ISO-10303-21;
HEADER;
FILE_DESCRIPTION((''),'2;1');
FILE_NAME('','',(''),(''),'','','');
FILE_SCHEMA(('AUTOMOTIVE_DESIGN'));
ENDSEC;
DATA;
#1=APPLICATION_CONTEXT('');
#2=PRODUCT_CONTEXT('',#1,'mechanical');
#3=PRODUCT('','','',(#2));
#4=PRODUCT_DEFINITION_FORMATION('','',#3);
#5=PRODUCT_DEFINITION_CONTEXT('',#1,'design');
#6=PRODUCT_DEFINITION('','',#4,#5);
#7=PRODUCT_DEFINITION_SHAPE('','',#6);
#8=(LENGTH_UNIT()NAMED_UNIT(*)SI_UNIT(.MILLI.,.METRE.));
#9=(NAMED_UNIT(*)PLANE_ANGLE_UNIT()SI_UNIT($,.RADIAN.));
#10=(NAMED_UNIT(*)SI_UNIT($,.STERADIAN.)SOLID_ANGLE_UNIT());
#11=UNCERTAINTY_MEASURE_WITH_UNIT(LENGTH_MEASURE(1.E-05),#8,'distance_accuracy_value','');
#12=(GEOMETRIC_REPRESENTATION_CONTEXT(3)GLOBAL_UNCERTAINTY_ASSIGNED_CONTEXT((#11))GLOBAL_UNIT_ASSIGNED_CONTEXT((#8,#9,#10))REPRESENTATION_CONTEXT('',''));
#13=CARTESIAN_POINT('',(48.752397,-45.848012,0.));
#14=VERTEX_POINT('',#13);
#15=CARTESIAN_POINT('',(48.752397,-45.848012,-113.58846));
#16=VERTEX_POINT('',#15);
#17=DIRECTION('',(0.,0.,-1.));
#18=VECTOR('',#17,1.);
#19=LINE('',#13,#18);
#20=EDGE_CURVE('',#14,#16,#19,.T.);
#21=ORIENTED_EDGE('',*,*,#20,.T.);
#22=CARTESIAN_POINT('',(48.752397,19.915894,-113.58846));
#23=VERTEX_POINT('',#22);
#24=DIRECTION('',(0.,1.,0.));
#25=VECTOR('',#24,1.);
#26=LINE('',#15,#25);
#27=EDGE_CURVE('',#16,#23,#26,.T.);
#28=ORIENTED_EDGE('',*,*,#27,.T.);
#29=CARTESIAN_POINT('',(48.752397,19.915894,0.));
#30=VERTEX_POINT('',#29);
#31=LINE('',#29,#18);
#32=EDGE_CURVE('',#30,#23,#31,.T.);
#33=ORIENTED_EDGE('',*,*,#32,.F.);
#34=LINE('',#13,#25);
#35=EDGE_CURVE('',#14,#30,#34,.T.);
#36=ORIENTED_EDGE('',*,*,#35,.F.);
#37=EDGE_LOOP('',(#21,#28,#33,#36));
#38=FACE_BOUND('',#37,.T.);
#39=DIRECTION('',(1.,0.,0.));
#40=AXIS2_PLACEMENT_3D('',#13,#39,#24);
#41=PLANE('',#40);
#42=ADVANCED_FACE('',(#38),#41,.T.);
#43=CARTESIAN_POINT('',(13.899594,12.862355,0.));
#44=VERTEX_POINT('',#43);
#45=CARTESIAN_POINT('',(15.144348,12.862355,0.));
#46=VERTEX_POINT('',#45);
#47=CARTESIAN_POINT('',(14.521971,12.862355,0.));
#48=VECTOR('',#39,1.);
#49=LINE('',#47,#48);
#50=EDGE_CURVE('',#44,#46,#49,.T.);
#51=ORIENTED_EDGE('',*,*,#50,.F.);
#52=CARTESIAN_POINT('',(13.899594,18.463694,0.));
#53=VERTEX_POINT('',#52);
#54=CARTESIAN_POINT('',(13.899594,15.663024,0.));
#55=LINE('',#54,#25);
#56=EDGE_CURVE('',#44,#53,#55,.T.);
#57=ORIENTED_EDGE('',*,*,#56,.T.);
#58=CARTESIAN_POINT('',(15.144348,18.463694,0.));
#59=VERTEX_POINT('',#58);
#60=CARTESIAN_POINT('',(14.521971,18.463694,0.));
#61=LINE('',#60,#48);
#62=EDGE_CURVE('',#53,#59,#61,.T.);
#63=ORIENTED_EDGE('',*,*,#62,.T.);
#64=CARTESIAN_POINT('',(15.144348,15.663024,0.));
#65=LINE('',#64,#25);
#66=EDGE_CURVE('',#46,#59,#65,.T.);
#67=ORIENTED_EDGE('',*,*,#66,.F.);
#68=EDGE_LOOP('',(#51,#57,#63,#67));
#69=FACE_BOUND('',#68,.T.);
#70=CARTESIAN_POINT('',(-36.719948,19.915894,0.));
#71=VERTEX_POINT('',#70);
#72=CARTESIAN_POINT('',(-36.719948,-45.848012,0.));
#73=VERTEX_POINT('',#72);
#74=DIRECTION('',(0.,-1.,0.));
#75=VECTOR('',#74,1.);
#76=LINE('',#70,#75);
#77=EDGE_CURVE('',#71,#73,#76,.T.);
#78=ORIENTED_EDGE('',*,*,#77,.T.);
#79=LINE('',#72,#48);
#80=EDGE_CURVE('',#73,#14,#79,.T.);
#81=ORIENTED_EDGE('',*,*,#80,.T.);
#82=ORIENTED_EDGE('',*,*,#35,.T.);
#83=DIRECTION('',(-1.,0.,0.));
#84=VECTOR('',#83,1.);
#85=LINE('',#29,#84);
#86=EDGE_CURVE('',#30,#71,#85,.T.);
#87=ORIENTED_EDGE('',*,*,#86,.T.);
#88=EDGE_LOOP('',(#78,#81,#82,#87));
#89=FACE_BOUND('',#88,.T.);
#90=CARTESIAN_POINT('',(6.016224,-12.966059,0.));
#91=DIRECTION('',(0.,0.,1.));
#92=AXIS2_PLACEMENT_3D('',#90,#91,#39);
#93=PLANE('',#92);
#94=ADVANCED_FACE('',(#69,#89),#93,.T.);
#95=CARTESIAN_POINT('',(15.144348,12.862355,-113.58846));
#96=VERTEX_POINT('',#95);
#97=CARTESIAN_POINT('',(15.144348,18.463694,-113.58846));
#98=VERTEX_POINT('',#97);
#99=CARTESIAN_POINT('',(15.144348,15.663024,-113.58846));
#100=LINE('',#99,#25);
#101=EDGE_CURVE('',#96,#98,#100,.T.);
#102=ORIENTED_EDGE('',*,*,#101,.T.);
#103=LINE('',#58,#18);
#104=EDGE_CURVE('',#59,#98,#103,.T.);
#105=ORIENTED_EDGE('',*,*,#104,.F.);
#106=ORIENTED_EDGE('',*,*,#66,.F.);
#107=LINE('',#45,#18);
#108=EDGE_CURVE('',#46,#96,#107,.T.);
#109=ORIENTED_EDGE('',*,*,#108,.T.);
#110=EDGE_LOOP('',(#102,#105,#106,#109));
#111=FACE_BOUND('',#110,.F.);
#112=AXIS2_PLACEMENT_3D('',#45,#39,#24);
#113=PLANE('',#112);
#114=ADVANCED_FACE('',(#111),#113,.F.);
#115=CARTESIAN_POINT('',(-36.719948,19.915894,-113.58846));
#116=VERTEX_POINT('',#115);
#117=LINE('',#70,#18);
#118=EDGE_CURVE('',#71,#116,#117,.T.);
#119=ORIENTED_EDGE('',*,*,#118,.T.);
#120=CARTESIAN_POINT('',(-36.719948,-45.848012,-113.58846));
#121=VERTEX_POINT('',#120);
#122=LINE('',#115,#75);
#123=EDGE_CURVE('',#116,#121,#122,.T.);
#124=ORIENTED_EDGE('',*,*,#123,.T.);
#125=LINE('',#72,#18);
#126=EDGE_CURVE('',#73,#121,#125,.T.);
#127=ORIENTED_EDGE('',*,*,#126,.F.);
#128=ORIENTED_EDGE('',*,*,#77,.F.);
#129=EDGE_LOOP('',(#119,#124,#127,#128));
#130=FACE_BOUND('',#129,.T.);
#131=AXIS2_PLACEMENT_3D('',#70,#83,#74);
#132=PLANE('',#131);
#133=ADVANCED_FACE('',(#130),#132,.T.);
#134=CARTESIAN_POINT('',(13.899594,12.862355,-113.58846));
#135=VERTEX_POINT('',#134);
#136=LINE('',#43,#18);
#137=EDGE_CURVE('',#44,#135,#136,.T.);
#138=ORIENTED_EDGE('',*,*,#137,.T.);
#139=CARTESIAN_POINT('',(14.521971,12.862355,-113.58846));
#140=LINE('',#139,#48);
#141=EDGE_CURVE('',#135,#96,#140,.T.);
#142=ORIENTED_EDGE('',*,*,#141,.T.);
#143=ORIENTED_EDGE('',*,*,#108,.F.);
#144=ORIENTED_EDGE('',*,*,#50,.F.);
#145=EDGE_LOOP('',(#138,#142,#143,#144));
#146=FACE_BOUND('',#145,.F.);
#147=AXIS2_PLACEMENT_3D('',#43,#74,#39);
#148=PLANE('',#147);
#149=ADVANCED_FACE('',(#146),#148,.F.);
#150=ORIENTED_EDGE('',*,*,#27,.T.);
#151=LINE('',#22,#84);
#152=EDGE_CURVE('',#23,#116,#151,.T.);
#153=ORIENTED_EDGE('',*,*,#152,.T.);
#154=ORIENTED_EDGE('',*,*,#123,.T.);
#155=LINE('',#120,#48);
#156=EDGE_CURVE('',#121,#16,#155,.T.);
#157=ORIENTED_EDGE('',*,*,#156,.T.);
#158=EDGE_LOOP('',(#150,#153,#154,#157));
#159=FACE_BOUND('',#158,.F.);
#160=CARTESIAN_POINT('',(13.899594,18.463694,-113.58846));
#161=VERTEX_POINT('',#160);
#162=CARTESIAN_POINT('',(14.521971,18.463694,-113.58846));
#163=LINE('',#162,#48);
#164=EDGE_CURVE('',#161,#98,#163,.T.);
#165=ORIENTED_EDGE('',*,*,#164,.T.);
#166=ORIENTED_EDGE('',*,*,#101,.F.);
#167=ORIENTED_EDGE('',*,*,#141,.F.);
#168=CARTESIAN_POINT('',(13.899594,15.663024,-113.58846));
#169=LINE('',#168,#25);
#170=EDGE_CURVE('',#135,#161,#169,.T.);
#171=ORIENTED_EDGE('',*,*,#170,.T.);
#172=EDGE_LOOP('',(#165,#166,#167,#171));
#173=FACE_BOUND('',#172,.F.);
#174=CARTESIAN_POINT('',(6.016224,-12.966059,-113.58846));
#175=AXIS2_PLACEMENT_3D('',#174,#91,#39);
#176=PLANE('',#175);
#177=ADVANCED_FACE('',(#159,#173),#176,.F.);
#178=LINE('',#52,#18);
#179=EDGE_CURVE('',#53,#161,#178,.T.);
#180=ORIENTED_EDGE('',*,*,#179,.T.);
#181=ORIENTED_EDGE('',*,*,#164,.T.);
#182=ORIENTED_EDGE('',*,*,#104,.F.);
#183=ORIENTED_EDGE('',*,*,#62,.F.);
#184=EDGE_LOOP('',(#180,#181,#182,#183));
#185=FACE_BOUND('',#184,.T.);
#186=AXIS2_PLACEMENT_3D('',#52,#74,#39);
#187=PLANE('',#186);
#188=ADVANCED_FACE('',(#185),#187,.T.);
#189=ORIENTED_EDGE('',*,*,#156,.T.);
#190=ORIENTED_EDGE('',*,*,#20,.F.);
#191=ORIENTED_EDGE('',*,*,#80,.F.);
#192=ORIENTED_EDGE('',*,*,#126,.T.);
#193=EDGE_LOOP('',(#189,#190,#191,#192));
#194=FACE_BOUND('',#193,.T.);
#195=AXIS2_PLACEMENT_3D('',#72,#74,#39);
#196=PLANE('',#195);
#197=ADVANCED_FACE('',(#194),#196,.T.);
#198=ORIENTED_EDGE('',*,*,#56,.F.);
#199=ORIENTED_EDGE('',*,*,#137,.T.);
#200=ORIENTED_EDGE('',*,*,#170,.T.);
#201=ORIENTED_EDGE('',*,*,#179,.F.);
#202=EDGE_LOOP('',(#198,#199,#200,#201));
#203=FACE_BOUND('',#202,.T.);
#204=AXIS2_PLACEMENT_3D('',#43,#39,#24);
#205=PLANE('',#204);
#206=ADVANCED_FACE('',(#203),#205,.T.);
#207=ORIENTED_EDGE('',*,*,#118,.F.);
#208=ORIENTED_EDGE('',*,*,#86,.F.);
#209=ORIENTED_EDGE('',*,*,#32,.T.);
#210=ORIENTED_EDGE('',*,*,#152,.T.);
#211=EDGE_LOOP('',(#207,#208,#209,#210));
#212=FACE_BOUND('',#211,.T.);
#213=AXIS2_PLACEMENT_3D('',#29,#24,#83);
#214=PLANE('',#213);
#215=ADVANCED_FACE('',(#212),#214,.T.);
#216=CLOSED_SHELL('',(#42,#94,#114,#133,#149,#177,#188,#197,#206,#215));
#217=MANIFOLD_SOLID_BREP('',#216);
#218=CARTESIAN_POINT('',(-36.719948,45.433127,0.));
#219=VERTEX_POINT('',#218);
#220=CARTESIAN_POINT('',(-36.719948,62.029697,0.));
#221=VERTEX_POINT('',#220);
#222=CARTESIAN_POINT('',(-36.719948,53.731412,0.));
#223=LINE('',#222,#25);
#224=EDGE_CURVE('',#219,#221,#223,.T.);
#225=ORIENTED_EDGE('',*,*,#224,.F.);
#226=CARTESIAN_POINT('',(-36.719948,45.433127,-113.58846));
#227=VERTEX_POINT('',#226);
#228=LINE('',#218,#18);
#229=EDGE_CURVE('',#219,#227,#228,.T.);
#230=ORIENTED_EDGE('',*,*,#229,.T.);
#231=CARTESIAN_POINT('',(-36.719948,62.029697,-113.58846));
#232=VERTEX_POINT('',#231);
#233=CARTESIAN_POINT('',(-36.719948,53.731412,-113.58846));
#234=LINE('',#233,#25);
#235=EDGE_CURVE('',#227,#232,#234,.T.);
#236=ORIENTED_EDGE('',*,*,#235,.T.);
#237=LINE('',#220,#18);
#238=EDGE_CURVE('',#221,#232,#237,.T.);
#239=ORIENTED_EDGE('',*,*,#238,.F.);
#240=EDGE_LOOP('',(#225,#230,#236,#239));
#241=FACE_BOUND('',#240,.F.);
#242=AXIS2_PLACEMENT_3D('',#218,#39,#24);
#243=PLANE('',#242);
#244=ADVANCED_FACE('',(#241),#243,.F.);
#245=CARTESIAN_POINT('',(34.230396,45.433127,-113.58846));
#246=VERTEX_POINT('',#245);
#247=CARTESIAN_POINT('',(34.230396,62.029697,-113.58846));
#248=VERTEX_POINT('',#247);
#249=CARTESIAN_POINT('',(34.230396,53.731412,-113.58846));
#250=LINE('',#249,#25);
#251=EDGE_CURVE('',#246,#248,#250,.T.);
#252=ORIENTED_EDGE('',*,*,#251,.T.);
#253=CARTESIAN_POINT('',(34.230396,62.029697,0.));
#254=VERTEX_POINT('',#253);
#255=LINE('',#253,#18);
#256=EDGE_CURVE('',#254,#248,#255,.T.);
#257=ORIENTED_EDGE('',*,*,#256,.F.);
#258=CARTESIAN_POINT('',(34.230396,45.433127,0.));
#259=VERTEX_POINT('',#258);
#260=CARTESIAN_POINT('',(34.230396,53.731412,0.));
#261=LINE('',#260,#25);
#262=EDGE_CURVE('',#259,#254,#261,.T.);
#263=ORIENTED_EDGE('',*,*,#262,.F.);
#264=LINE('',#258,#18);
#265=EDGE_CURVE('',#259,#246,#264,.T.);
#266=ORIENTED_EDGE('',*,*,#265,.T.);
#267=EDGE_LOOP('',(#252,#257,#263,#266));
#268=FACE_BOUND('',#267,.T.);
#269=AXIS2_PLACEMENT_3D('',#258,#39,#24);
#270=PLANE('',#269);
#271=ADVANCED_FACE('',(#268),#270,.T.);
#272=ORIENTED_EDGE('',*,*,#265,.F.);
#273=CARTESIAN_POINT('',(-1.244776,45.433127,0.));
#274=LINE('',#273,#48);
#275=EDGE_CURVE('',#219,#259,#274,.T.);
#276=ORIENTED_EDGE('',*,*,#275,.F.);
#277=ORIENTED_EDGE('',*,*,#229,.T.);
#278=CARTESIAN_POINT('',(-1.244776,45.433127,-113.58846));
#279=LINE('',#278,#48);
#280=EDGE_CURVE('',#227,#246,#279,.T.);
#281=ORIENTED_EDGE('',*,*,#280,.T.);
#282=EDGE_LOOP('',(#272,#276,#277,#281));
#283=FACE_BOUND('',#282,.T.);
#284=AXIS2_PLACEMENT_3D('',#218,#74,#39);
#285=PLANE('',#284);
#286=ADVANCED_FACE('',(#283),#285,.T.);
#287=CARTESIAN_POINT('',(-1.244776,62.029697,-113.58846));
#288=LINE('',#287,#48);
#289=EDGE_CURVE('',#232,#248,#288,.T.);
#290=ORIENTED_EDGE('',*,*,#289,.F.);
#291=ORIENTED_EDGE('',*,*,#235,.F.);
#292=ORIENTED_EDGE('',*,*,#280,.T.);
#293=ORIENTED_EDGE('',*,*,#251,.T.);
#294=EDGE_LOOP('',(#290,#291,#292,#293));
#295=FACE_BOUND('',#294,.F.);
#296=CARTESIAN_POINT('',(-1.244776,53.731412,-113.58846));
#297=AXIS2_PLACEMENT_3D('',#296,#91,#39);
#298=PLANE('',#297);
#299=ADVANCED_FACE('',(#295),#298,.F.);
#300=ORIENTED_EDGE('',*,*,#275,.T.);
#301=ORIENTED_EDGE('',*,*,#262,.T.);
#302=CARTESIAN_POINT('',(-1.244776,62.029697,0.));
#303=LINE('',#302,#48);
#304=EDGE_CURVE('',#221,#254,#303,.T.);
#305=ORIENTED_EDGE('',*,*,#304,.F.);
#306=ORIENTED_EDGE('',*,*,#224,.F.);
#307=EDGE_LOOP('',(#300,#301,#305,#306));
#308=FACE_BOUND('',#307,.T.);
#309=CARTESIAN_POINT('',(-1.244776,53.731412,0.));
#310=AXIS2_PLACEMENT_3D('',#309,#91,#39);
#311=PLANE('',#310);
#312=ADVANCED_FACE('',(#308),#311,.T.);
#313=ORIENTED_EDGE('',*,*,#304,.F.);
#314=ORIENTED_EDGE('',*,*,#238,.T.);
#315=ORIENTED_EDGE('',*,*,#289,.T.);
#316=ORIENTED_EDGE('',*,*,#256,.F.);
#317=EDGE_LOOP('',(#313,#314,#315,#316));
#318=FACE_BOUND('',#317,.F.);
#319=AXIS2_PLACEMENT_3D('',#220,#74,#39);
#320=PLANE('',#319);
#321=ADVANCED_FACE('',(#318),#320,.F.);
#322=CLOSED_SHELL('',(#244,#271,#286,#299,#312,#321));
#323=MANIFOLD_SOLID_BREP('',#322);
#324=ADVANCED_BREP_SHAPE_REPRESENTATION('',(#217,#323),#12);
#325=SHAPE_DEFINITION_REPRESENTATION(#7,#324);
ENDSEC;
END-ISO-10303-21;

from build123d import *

# Parameters (mm, degrees)
F0_W     = 1.244753
F0_H     = 5.601339
F0_W_2   = 70.950344
F0_H_2   = 16.596571
F1_DEPTH = 113.58846


with BuildPart() as f1:
    # F0 (on Top) → F1 (new body)
    with BuildSketch(Plane.XY):
        Polygon((48.752397, 19.915894), (-36.719948, 19.915894), (-36.719948, -45.848012), (48.752397, -45.848012), (48.752397, 0), align=None)
        with Locations((14.521971, 15.663024)):
            Rectangle(F0_W, F0_H, mode=Mode.SUBTRACT)
        with Locations((-1.244776, 53.731412)):
            Rectangle(F0_W_2, F0_H_2)
    extrude(amount=-F1_DEPTH)


solid = f1.part
